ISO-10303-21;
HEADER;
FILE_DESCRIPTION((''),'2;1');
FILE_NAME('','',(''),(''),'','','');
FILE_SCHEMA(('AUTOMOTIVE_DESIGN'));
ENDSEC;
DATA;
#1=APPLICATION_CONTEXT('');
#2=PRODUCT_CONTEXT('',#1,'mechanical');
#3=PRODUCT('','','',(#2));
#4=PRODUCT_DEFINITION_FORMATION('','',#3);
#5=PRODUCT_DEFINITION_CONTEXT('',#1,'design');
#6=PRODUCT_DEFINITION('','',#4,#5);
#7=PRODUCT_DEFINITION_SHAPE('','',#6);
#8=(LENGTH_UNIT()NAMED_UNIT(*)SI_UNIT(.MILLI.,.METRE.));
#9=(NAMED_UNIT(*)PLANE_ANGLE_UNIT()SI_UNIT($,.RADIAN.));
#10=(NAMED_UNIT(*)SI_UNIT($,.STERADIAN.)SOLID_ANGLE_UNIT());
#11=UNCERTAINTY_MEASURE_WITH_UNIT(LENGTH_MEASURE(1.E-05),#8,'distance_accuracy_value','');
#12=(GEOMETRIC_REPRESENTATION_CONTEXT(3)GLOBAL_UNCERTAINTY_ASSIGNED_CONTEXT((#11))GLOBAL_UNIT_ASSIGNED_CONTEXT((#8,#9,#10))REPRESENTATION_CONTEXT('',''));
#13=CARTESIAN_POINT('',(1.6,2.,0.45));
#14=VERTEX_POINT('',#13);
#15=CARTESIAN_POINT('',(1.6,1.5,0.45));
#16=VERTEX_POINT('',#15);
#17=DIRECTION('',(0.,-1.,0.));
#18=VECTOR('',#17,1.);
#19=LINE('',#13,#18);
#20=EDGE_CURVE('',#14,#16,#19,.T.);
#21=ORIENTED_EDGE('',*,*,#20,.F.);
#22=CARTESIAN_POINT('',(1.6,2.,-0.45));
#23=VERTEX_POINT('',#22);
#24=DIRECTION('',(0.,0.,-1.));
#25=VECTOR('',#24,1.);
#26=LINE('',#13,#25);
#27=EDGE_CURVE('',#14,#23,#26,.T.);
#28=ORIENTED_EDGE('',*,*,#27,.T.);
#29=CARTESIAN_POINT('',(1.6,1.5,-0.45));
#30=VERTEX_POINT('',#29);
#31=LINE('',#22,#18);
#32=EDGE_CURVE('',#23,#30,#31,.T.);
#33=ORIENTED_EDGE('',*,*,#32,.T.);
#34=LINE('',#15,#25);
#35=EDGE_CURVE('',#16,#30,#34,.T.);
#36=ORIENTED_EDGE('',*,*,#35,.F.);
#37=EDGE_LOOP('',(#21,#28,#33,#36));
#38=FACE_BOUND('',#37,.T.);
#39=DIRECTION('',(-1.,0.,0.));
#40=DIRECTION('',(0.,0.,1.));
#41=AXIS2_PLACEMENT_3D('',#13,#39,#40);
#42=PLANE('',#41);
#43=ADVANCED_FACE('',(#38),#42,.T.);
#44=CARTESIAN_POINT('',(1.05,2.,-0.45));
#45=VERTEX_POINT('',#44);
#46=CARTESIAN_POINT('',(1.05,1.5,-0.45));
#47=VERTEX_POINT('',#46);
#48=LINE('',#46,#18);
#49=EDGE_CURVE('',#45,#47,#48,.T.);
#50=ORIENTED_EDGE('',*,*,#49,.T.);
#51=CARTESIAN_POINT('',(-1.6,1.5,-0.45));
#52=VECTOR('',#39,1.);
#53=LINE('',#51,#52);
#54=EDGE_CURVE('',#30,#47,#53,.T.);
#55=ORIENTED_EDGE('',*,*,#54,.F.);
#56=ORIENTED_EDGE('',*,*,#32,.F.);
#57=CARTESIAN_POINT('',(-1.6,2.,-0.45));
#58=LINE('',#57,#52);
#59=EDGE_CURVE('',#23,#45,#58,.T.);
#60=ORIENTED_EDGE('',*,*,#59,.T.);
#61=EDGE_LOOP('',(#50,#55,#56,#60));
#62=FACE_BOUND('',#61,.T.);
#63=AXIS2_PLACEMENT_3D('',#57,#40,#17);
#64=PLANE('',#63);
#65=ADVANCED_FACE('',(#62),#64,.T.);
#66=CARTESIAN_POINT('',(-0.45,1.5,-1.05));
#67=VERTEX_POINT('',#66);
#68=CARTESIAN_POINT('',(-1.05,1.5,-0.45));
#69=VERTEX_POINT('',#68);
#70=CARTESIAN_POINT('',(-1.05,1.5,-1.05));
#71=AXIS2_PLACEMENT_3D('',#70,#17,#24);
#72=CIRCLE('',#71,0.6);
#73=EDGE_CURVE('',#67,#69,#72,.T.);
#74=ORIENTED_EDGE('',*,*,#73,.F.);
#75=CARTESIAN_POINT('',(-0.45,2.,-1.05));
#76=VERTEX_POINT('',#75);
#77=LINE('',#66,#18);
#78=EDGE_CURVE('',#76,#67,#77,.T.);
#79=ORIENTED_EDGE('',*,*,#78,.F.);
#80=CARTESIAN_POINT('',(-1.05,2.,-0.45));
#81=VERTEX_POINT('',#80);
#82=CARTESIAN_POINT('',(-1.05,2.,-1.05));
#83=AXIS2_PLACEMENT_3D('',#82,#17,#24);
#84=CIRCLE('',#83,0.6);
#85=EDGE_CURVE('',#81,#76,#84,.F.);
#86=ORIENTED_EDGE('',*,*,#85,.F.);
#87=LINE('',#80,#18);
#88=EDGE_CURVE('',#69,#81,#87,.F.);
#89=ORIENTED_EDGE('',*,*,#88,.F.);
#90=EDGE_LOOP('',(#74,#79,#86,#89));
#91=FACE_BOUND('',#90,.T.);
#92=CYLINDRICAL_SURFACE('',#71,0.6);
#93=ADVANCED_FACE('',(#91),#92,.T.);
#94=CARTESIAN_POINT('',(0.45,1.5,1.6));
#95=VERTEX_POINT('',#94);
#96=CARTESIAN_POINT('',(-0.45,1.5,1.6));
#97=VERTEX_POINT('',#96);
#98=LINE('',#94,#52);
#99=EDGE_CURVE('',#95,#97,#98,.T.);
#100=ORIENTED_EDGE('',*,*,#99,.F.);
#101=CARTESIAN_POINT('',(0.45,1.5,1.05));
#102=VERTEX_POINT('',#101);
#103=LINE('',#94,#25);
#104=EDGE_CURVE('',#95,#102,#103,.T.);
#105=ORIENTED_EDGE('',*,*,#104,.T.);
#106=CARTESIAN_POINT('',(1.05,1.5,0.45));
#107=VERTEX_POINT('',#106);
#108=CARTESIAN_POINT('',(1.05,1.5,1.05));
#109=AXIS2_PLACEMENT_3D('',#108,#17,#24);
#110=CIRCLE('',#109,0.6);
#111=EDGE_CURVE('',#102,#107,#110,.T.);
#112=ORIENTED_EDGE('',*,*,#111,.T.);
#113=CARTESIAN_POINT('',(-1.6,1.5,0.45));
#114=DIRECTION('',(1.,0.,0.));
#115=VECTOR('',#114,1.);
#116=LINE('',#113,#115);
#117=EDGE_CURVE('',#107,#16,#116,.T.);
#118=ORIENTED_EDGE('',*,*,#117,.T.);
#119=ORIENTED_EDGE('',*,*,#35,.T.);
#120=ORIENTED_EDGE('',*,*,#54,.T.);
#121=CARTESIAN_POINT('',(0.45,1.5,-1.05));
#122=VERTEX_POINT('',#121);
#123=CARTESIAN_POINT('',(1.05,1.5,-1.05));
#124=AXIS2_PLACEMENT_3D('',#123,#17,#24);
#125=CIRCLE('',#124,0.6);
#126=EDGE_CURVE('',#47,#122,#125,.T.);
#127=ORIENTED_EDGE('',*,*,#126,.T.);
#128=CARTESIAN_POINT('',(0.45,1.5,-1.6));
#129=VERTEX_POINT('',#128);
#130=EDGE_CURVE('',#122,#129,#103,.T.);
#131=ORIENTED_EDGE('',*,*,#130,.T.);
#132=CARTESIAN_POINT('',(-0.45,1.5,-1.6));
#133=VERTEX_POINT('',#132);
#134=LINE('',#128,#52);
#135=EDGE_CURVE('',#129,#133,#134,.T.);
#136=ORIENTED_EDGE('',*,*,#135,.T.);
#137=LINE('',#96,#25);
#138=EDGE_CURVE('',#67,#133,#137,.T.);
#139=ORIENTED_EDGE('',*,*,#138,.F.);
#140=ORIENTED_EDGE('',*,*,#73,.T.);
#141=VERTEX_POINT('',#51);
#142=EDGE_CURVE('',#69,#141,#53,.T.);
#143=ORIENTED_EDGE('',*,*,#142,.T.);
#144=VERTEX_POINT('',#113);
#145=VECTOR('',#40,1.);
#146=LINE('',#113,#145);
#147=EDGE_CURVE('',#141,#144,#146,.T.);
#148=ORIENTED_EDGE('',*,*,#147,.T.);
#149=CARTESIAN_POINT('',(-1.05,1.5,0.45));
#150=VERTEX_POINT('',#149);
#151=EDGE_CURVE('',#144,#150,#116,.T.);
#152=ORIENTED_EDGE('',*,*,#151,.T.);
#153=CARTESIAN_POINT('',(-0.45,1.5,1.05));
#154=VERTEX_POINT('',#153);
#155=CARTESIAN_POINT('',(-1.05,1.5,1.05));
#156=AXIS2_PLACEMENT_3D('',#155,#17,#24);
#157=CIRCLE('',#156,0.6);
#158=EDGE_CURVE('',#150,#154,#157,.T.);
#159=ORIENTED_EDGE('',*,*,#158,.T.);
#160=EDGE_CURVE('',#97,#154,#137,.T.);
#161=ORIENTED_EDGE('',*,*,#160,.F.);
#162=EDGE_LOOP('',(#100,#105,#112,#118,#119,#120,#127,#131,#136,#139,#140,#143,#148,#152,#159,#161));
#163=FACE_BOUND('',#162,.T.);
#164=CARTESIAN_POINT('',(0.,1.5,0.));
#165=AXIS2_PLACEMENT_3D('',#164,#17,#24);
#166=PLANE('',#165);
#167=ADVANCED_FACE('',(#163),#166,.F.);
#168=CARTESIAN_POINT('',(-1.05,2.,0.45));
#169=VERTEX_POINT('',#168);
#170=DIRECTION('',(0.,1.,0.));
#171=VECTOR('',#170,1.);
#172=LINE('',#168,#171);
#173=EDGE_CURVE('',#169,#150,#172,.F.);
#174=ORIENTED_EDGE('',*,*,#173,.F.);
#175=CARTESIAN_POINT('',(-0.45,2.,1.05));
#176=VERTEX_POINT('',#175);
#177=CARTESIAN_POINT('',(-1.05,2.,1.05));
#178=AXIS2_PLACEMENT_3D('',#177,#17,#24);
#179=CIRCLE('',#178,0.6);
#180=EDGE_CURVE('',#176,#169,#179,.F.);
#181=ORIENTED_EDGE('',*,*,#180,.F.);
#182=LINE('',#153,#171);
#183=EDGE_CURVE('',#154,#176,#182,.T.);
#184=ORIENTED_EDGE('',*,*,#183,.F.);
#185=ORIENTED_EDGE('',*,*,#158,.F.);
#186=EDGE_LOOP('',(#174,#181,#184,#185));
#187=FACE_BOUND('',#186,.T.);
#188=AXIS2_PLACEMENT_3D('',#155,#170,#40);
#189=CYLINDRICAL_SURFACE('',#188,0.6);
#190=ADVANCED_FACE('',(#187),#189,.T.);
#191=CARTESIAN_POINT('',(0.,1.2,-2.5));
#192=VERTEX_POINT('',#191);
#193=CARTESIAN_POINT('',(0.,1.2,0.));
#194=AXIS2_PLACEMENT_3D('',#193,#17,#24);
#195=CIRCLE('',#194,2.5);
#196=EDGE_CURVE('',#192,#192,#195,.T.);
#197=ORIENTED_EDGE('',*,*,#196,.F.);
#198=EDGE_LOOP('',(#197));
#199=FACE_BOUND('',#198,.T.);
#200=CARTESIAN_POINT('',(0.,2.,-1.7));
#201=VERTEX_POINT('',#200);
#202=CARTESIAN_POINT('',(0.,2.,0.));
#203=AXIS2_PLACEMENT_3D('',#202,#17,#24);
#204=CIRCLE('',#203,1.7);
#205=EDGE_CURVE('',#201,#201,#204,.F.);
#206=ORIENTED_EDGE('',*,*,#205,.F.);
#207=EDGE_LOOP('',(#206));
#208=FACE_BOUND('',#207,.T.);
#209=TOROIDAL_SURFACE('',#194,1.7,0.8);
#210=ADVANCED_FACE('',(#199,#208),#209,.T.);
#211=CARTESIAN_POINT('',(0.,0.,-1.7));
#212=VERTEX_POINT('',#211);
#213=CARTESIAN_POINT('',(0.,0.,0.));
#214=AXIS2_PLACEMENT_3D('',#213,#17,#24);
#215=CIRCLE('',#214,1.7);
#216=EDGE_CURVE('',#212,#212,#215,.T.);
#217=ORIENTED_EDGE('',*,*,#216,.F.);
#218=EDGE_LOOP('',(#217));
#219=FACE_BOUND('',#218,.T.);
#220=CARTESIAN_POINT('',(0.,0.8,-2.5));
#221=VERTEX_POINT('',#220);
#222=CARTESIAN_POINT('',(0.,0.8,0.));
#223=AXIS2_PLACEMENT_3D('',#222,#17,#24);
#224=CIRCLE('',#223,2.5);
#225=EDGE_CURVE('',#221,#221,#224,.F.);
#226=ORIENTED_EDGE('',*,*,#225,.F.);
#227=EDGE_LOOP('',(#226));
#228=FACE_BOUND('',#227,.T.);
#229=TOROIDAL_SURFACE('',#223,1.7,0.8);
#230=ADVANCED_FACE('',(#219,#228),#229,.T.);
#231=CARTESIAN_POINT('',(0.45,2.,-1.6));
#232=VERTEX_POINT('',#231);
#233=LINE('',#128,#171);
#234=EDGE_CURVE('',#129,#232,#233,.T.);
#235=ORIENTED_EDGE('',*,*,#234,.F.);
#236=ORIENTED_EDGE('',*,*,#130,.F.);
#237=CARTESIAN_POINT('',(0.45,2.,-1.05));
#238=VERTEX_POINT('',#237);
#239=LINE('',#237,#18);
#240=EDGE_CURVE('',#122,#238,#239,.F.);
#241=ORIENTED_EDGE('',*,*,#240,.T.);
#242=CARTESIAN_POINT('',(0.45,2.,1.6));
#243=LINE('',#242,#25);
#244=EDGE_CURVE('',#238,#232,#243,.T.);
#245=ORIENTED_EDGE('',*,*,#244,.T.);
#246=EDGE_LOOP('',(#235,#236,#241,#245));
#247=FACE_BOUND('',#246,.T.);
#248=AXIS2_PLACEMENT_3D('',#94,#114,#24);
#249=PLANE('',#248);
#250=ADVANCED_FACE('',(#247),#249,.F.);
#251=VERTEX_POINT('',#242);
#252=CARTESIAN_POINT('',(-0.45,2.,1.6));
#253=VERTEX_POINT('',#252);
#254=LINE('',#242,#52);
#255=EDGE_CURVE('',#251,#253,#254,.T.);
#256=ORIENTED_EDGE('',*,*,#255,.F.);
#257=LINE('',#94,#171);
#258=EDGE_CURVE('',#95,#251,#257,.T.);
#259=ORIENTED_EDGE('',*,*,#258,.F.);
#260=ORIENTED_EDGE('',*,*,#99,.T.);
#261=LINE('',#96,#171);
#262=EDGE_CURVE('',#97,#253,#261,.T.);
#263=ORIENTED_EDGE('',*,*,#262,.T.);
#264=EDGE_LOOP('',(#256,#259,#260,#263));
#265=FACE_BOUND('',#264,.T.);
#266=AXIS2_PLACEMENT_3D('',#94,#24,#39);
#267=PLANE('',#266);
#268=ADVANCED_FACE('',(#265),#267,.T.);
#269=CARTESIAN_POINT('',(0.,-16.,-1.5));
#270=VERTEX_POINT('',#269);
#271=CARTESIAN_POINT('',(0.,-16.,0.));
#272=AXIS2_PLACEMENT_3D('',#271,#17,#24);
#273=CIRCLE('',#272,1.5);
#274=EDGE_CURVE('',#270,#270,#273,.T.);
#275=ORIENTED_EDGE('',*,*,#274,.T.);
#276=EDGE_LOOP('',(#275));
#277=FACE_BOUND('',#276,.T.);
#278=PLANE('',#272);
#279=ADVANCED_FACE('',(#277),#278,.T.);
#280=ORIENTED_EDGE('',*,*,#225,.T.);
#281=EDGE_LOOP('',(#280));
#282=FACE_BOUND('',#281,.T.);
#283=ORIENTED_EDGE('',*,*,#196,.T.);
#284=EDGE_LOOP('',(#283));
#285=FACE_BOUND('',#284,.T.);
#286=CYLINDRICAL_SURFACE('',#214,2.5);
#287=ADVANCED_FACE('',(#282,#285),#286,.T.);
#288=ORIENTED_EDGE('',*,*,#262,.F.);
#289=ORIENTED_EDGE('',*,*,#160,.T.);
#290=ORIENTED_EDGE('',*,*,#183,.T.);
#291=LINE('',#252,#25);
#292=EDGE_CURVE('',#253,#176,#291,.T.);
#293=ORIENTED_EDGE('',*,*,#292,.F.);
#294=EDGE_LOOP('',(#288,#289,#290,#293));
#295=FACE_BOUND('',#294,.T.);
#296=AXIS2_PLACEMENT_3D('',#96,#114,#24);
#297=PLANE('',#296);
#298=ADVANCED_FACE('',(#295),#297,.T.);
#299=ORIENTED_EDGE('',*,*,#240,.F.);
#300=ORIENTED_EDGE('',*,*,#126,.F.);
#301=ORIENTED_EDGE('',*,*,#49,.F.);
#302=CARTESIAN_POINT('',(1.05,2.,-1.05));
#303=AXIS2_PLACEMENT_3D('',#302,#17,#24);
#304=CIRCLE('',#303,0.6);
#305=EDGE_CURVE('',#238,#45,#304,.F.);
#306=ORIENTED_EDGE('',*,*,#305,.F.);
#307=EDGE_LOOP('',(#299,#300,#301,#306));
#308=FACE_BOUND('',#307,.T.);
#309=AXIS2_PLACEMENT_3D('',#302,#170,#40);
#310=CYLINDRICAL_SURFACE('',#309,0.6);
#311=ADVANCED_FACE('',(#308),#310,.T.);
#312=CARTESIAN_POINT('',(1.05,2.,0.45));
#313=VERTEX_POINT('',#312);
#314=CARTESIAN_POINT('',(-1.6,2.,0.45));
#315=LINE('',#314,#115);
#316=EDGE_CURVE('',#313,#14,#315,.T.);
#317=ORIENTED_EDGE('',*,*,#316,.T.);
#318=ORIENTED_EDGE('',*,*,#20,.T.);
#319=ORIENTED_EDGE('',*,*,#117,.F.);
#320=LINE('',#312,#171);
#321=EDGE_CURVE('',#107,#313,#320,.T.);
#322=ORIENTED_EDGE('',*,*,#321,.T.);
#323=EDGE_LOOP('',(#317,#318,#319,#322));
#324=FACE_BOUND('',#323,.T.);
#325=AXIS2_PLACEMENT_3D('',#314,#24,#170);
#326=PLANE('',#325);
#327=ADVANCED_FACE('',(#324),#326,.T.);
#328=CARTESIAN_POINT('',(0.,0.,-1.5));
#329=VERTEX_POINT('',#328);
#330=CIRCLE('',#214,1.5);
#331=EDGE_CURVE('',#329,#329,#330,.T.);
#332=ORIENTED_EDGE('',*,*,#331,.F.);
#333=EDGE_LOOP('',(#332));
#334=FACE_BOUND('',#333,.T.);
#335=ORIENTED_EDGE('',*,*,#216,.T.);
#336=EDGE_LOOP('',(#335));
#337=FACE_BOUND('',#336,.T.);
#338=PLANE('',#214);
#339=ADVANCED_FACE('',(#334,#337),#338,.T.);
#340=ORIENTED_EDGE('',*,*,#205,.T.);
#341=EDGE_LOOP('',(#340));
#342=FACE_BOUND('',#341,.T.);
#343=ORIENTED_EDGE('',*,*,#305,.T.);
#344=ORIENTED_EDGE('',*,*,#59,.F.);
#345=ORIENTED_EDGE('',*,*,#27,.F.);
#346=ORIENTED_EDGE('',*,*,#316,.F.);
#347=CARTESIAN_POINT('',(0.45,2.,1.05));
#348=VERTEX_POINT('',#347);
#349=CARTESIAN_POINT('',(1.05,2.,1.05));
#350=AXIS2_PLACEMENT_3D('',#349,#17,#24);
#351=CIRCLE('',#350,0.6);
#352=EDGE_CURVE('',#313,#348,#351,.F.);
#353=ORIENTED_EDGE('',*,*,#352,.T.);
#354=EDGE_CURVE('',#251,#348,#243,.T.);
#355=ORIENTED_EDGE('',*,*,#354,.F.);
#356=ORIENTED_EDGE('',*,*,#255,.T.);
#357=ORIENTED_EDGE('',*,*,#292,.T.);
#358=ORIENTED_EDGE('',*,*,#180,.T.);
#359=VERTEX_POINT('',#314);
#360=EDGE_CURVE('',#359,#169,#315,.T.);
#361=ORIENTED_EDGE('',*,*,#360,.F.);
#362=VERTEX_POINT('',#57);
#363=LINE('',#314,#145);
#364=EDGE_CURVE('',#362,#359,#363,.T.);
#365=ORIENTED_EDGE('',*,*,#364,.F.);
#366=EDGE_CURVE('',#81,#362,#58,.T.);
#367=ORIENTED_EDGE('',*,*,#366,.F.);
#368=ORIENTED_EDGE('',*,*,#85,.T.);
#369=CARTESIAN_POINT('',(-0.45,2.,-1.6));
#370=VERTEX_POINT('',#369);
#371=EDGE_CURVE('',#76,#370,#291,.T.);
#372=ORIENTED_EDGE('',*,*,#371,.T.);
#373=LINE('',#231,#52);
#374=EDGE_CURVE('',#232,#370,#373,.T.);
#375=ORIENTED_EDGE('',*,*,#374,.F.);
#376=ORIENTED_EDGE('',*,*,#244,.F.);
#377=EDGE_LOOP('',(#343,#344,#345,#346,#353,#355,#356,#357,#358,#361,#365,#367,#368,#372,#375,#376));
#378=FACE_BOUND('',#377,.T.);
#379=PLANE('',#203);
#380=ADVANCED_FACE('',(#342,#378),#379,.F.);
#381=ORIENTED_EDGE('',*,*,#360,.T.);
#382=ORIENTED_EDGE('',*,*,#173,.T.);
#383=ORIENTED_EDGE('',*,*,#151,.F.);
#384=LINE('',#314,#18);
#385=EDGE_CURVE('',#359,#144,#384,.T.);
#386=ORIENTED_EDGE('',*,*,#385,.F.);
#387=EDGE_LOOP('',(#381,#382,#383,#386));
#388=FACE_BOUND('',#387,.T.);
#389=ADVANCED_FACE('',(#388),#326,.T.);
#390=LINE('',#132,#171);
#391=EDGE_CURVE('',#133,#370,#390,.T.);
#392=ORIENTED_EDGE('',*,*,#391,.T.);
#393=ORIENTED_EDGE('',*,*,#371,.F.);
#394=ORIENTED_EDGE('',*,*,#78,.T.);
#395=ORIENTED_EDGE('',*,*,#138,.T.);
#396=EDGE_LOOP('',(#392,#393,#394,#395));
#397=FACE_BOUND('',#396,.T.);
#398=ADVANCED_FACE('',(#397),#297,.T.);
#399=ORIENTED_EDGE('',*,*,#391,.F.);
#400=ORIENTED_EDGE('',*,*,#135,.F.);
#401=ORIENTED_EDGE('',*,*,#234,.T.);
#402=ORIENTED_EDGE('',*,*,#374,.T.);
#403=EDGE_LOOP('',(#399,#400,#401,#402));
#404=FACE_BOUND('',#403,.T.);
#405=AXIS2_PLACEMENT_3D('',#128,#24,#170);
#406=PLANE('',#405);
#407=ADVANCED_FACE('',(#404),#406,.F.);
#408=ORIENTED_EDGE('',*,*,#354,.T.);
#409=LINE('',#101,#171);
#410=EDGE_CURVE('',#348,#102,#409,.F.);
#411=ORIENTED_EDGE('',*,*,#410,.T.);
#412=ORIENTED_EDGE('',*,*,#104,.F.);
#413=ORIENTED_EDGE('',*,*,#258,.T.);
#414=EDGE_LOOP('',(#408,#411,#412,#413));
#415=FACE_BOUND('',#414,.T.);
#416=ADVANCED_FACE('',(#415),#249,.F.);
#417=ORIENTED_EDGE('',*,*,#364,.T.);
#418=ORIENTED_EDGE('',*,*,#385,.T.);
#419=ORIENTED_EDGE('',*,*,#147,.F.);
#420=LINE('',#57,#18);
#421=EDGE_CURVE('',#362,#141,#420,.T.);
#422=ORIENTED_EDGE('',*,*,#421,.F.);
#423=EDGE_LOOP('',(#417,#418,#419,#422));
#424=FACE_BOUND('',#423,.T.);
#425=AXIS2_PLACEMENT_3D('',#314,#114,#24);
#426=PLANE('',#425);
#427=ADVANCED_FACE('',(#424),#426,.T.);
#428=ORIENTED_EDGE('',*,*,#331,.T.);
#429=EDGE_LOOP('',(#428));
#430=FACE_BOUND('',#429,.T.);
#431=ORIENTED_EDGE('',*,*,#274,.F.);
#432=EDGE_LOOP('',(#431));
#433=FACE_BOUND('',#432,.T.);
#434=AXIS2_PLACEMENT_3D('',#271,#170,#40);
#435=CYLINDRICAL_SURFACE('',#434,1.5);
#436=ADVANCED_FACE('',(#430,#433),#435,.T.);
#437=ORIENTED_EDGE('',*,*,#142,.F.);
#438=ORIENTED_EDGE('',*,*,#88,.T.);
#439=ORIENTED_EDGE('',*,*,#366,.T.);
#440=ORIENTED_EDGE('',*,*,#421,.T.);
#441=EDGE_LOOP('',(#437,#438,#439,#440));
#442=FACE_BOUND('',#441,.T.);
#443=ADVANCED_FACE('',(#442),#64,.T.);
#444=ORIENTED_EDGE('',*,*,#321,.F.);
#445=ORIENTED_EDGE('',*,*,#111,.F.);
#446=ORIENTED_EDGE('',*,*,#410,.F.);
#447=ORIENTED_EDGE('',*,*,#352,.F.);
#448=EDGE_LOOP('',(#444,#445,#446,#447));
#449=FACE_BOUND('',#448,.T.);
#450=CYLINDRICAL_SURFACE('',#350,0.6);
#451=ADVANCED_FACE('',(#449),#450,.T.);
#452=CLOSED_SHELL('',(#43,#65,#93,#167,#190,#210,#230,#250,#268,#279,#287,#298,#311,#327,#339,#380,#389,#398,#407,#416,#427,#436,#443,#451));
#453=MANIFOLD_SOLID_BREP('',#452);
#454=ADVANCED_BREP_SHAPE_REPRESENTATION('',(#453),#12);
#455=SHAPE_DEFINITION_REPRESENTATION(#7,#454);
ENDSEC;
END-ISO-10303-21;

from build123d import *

# Parameters (mm, degrees)
FILLET2_R           = 0.8
SKETCH3_W           = 0.9
SKETCH3_H           = 3.2
CUT_EXTRUDE1_DEPTH  = 0.5
SKETCH4_W           = 3.2
SKETCH4_H           = 0.9
CUT_EXTRUDE2_DEPTH  = 4.840572939
FILLET1_R           = 0.6
SKETCH2_R           = 1.5
BOSS_EXTRUDE1_DEPTH = 16


with BuildPart() as part:
    # Sketch1 → Revolve1 (revolve)
    with BuildSketch(Plane(origin=(0, 0, 0), x_dir=(0, 0, -1), z_dir=(1, 0, 0))):
        with BuildLine():
            Line((0, 2), (0, 0))
            Line((0, 0), (2.5, 0))
            ThreePointArc((2.5, 0), (1.914213562, 1.414213562), (0.5, 2))
            Line((0.5, 2), (0, 2))
        make_face()
        with BuildLine():
            ThreePointArc((0.5, 2), (1.914213562, 1.414213562), (2.5, 0))
            Line((2.5, 0), (2.5, 2))
            Line((2.5, 2), (0.5, 2))
        make_face()
    revolve(axis=Axis((0, 0, 0), (0, 1, 0)))

    # Fillet2
    fillet2_edges = [part.edges().sort_by_distance(p)[0] for p in [
        (0, 2, 2.5),
        (0, 0, 2.5),
    ]]
    fillet(fillet2_edges, radius=FILLET2_R)

    # Sketch3 → Cut-Extrude1 (cut)
    with BuildSketch(Plane(origin=(0, 2, 0), x_dir=(1, 0, 0), z_dir=(0, 1, 0))):
        Rectangle(SKETCH3_W, SKETCH3_H)
    extrude(amount=-CUT_EXTRUDE1_DEPTH, mode=Mode.SUBTRACT)

    # Sketch4 → Cut-Extrude2 (cut, through all)
    with BuildSketch(Plane(origin=(0, 1.5, 0), x_dir=(1, 0, 0), z_dir=(0, 1, 0))):
        Rectangle(SKETCH4_W, SKETCH4_H)
    extrude(amount=CUT_EXTRUDE2_DEPTH, mode=Mode.SUBTRACT)

    # Fillet1
    fillet1_edges = [part.edges().sort_by_distance(p)[0] for p in [
        (0.45, 1.75, -0.45),
        (0.45, 1.75, 0.45),
        (-0.45, 1.75, -0.45),
        (-0.45, 1.75, 0.45),
    ]]
    fillet(fillet1_edges, radius=FILLET1_R)

    # Sketch2 → Boss-Extrude1 (add)
    with BuildSketch(Plane.XZ):
        with Locations(Location((0, 0, 0), (0, 0, 270))):
            Circle(SKETCH2_R)
    extrude(amount=BOSS_EXTRUDE1_DEPTH)


solid = part.part
